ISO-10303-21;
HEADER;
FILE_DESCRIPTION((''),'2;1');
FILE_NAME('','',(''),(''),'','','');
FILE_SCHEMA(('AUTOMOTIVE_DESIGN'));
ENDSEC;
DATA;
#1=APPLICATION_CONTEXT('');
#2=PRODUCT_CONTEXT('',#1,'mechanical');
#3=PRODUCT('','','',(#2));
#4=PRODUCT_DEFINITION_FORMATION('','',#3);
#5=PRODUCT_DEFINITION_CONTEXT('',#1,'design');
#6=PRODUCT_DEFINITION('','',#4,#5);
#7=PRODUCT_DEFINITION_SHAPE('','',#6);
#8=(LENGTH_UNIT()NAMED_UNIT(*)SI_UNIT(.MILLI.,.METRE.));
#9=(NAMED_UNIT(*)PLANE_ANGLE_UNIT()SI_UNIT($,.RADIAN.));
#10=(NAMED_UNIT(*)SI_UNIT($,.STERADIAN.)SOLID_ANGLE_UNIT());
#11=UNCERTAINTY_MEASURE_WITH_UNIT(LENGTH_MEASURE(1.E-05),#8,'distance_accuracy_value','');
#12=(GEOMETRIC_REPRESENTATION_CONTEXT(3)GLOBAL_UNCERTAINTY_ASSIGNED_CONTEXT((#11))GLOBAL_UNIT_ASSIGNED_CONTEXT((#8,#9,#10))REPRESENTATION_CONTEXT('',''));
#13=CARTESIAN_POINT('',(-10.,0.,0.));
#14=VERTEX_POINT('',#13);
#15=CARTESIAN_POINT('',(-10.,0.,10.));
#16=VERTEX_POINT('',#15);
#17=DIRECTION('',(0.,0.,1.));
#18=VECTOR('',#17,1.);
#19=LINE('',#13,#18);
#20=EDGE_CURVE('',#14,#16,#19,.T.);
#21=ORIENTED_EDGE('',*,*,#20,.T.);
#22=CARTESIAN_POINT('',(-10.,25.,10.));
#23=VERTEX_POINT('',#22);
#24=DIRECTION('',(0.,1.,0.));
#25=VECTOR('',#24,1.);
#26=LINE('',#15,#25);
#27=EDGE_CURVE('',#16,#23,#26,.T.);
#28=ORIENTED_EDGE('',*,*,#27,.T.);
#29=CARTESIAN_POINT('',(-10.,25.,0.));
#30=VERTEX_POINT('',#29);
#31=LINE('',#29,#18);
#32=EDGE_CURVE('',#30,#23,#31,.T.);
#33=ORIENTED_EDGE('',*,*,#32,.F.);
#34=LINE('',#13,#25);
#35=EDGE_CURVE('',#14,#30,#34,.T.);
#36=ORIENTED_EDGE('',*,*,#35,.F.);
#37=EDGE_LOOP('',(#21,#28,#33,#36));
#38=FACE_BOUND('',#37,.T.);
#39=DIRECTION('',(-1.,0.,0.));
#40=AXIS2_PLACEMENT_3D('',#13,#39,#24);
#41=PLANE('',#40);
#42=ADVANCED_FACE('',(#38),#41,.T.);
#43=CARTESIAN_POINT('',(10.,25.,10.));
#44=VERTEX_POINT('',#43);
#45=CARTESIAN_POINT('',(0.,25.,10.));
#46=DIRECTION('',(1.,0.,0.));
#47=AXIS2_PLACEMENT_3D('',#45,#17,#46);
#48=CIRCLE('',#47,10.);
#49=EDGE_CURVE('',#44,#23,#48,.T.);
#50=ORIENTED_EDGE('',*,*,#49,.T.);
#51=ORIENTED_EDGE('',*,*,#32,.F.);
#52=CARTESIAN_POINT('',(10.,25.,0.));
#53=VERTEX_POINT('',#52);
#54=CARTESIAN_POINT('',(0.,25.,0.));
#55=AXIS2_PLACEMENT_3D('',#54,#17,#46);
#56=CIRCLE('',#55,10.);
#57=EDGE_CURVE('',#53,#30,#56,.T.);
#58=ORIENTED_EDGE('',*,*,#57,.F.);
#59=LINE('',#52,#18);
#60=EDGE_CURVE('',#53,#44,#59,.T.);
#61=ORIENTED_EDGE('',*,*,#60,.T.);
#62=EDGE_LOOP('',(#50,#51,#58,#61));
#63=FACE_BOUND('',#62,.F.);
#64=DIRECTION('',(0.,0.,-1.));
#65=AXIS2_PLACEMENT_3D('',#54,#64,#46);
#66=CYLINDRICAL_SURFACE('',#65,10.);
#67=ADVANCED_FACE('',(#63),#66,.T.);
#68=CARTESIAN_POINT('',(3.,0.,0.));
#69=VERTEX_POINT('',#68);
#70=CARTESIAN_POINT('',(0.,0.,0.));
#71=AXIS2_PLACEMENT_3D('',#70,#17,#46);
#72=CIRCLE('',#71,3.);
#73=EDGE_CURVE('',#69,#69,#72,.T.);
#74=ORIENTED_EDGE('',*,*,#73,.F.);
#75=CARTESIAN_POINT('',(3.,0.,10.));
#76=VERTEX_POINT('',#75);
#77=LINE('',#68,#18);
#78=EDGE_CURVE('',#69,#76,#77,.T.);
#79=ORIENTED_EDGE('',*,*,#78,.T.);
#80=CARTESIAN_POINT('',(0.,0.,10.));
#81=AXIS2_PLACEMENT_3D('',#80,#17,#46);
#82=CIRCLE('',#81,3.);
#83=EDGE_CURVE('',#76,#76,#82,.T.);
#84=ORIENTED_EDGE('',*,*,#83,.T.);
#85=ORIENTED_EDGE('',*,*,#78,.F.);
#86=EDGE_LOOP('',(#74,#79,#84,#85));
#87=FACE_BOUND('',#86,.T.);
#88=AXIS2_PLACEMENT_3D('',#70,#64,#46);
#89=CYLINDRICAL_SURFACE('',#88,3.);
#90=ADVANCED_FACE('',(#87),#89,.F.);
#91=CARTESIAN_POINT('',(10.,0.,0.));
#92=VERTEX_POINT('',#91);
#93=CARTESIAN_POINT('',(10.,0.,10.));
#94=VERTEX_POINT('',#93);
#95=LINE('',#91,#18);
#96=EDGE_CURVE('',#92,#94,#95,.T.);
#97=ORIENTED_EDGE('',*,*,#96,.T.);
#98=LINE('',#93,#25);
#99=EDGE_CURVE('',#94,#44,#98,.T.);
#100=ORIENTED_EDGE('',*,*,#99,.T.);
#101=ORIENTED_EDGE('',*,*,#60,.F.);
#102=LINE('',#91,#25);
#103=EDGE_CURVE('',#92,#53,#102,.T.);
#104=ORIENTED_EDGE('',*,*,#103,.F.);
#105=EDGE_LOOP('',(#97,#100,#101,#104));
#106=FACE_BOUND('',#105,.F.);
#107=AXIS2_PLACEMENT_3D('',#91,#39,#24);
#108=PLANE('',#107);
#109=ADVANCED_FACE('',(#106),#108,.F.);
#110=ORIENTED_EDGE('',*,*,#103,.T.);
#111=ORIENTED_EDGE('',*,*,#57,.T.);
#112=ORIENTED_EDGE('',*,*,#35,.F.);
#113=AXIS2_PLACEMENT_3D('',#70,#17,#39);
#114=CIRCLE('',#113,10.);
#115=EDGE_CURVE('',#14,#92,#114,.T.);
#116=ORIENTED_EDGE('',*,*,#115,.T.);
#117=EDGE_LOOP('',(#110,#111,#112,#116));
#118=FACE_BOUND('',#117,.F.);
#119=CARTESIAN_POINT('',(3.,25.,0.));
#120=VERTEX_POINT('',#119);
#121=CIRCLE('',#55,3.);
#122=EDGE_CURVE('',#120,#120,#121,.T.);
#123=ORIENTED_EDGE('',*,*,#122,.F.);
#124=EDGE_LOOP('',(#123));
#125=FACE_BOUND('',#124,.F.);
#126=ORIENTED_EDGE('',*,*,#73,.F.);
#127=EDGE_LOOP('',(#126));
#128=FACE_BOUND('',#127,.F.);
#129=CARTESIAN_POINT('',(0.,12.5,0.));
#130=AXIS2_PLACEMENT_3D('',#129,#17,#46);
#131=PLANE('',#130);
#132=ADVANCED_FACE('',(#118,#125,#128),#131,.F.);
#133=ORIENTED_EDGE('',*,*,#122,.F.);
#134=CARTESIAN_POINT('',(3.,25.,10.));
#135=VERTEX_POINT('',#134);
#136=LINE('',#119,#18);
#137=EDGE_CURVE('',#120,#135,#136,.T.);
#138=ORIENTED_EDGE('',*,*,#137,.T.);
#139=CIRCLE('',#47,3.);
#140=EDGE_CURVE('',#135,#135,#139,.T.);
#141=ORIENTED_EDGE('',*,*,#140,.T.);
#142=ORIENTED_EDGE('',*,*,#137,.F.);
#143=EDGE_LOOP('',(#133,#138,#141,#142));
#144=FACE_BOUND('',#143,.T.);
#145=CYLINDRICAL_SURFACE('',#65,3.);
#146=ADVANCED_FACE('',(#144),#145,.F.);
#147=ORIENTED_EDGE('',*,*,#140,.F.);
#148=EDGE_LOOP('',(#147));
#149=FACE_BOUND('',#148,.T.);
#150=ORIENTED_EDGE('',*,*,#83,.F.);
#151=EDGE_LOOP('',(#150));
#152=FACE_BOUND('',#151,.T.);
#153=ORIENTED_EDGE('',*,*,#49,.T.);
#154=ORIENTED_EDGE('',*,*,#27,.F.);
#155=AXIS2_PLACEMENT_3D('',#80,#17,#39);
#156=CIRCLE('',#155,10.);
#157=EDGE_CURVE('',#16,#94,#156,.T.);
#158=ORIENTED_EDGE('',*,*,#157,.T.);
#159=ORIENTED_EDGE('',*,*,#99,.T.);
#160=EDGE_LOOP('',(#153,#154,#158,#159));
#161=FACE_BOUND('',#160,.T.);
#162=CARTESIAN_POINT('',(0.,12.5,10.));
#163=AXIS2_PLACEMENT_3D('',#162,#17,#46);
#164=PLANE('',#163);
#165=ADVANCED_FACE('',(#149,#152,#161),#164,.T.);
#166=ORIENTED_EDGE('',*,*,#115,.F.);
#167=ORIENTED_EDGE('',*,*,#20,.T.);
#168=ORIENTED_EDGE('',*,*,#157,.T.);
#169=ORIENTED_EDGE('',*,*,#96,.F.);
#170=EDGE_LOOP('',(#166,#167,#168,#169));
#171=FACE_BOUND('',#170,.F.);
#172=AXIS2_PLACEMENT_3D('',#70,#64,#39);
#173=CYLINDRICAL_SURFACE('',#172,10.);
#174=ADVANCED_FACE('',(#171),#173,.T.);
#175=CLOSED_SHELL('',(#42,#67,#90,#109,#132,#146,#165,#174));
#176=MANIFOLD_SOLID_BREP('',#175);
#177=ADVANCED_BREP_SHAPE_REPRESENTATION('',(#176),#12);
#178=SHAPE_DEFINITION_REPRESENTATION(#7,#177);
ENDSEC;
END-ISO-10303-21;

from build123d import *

# Parameters (mm, degrees)
SKETCH_R  = 3
PAD_DEPTH = 10


with BuildPart() as part:
    # Sketch → Pad (new body)
    with BuildSketch(Plane.XY):
        with BuildLine():
            ThreePointArc((-10, 0), (0, -10), (10, 0))
            Line((10, 0), (10, 25))
            ThreePointArc((10, 25), (0, 35), (-10, 25))
            Line((-10, 0), (-10, 25))
        make_face()
        with Locations((0, 25)):
            Circle(SKETCH_R, mode=Mode.SUBTRACT)
        Circle(SKETCH_R, mode=Mode.SUBTRACT)
    extrude(amount=PAD_DEPTH)


solid = part.part
